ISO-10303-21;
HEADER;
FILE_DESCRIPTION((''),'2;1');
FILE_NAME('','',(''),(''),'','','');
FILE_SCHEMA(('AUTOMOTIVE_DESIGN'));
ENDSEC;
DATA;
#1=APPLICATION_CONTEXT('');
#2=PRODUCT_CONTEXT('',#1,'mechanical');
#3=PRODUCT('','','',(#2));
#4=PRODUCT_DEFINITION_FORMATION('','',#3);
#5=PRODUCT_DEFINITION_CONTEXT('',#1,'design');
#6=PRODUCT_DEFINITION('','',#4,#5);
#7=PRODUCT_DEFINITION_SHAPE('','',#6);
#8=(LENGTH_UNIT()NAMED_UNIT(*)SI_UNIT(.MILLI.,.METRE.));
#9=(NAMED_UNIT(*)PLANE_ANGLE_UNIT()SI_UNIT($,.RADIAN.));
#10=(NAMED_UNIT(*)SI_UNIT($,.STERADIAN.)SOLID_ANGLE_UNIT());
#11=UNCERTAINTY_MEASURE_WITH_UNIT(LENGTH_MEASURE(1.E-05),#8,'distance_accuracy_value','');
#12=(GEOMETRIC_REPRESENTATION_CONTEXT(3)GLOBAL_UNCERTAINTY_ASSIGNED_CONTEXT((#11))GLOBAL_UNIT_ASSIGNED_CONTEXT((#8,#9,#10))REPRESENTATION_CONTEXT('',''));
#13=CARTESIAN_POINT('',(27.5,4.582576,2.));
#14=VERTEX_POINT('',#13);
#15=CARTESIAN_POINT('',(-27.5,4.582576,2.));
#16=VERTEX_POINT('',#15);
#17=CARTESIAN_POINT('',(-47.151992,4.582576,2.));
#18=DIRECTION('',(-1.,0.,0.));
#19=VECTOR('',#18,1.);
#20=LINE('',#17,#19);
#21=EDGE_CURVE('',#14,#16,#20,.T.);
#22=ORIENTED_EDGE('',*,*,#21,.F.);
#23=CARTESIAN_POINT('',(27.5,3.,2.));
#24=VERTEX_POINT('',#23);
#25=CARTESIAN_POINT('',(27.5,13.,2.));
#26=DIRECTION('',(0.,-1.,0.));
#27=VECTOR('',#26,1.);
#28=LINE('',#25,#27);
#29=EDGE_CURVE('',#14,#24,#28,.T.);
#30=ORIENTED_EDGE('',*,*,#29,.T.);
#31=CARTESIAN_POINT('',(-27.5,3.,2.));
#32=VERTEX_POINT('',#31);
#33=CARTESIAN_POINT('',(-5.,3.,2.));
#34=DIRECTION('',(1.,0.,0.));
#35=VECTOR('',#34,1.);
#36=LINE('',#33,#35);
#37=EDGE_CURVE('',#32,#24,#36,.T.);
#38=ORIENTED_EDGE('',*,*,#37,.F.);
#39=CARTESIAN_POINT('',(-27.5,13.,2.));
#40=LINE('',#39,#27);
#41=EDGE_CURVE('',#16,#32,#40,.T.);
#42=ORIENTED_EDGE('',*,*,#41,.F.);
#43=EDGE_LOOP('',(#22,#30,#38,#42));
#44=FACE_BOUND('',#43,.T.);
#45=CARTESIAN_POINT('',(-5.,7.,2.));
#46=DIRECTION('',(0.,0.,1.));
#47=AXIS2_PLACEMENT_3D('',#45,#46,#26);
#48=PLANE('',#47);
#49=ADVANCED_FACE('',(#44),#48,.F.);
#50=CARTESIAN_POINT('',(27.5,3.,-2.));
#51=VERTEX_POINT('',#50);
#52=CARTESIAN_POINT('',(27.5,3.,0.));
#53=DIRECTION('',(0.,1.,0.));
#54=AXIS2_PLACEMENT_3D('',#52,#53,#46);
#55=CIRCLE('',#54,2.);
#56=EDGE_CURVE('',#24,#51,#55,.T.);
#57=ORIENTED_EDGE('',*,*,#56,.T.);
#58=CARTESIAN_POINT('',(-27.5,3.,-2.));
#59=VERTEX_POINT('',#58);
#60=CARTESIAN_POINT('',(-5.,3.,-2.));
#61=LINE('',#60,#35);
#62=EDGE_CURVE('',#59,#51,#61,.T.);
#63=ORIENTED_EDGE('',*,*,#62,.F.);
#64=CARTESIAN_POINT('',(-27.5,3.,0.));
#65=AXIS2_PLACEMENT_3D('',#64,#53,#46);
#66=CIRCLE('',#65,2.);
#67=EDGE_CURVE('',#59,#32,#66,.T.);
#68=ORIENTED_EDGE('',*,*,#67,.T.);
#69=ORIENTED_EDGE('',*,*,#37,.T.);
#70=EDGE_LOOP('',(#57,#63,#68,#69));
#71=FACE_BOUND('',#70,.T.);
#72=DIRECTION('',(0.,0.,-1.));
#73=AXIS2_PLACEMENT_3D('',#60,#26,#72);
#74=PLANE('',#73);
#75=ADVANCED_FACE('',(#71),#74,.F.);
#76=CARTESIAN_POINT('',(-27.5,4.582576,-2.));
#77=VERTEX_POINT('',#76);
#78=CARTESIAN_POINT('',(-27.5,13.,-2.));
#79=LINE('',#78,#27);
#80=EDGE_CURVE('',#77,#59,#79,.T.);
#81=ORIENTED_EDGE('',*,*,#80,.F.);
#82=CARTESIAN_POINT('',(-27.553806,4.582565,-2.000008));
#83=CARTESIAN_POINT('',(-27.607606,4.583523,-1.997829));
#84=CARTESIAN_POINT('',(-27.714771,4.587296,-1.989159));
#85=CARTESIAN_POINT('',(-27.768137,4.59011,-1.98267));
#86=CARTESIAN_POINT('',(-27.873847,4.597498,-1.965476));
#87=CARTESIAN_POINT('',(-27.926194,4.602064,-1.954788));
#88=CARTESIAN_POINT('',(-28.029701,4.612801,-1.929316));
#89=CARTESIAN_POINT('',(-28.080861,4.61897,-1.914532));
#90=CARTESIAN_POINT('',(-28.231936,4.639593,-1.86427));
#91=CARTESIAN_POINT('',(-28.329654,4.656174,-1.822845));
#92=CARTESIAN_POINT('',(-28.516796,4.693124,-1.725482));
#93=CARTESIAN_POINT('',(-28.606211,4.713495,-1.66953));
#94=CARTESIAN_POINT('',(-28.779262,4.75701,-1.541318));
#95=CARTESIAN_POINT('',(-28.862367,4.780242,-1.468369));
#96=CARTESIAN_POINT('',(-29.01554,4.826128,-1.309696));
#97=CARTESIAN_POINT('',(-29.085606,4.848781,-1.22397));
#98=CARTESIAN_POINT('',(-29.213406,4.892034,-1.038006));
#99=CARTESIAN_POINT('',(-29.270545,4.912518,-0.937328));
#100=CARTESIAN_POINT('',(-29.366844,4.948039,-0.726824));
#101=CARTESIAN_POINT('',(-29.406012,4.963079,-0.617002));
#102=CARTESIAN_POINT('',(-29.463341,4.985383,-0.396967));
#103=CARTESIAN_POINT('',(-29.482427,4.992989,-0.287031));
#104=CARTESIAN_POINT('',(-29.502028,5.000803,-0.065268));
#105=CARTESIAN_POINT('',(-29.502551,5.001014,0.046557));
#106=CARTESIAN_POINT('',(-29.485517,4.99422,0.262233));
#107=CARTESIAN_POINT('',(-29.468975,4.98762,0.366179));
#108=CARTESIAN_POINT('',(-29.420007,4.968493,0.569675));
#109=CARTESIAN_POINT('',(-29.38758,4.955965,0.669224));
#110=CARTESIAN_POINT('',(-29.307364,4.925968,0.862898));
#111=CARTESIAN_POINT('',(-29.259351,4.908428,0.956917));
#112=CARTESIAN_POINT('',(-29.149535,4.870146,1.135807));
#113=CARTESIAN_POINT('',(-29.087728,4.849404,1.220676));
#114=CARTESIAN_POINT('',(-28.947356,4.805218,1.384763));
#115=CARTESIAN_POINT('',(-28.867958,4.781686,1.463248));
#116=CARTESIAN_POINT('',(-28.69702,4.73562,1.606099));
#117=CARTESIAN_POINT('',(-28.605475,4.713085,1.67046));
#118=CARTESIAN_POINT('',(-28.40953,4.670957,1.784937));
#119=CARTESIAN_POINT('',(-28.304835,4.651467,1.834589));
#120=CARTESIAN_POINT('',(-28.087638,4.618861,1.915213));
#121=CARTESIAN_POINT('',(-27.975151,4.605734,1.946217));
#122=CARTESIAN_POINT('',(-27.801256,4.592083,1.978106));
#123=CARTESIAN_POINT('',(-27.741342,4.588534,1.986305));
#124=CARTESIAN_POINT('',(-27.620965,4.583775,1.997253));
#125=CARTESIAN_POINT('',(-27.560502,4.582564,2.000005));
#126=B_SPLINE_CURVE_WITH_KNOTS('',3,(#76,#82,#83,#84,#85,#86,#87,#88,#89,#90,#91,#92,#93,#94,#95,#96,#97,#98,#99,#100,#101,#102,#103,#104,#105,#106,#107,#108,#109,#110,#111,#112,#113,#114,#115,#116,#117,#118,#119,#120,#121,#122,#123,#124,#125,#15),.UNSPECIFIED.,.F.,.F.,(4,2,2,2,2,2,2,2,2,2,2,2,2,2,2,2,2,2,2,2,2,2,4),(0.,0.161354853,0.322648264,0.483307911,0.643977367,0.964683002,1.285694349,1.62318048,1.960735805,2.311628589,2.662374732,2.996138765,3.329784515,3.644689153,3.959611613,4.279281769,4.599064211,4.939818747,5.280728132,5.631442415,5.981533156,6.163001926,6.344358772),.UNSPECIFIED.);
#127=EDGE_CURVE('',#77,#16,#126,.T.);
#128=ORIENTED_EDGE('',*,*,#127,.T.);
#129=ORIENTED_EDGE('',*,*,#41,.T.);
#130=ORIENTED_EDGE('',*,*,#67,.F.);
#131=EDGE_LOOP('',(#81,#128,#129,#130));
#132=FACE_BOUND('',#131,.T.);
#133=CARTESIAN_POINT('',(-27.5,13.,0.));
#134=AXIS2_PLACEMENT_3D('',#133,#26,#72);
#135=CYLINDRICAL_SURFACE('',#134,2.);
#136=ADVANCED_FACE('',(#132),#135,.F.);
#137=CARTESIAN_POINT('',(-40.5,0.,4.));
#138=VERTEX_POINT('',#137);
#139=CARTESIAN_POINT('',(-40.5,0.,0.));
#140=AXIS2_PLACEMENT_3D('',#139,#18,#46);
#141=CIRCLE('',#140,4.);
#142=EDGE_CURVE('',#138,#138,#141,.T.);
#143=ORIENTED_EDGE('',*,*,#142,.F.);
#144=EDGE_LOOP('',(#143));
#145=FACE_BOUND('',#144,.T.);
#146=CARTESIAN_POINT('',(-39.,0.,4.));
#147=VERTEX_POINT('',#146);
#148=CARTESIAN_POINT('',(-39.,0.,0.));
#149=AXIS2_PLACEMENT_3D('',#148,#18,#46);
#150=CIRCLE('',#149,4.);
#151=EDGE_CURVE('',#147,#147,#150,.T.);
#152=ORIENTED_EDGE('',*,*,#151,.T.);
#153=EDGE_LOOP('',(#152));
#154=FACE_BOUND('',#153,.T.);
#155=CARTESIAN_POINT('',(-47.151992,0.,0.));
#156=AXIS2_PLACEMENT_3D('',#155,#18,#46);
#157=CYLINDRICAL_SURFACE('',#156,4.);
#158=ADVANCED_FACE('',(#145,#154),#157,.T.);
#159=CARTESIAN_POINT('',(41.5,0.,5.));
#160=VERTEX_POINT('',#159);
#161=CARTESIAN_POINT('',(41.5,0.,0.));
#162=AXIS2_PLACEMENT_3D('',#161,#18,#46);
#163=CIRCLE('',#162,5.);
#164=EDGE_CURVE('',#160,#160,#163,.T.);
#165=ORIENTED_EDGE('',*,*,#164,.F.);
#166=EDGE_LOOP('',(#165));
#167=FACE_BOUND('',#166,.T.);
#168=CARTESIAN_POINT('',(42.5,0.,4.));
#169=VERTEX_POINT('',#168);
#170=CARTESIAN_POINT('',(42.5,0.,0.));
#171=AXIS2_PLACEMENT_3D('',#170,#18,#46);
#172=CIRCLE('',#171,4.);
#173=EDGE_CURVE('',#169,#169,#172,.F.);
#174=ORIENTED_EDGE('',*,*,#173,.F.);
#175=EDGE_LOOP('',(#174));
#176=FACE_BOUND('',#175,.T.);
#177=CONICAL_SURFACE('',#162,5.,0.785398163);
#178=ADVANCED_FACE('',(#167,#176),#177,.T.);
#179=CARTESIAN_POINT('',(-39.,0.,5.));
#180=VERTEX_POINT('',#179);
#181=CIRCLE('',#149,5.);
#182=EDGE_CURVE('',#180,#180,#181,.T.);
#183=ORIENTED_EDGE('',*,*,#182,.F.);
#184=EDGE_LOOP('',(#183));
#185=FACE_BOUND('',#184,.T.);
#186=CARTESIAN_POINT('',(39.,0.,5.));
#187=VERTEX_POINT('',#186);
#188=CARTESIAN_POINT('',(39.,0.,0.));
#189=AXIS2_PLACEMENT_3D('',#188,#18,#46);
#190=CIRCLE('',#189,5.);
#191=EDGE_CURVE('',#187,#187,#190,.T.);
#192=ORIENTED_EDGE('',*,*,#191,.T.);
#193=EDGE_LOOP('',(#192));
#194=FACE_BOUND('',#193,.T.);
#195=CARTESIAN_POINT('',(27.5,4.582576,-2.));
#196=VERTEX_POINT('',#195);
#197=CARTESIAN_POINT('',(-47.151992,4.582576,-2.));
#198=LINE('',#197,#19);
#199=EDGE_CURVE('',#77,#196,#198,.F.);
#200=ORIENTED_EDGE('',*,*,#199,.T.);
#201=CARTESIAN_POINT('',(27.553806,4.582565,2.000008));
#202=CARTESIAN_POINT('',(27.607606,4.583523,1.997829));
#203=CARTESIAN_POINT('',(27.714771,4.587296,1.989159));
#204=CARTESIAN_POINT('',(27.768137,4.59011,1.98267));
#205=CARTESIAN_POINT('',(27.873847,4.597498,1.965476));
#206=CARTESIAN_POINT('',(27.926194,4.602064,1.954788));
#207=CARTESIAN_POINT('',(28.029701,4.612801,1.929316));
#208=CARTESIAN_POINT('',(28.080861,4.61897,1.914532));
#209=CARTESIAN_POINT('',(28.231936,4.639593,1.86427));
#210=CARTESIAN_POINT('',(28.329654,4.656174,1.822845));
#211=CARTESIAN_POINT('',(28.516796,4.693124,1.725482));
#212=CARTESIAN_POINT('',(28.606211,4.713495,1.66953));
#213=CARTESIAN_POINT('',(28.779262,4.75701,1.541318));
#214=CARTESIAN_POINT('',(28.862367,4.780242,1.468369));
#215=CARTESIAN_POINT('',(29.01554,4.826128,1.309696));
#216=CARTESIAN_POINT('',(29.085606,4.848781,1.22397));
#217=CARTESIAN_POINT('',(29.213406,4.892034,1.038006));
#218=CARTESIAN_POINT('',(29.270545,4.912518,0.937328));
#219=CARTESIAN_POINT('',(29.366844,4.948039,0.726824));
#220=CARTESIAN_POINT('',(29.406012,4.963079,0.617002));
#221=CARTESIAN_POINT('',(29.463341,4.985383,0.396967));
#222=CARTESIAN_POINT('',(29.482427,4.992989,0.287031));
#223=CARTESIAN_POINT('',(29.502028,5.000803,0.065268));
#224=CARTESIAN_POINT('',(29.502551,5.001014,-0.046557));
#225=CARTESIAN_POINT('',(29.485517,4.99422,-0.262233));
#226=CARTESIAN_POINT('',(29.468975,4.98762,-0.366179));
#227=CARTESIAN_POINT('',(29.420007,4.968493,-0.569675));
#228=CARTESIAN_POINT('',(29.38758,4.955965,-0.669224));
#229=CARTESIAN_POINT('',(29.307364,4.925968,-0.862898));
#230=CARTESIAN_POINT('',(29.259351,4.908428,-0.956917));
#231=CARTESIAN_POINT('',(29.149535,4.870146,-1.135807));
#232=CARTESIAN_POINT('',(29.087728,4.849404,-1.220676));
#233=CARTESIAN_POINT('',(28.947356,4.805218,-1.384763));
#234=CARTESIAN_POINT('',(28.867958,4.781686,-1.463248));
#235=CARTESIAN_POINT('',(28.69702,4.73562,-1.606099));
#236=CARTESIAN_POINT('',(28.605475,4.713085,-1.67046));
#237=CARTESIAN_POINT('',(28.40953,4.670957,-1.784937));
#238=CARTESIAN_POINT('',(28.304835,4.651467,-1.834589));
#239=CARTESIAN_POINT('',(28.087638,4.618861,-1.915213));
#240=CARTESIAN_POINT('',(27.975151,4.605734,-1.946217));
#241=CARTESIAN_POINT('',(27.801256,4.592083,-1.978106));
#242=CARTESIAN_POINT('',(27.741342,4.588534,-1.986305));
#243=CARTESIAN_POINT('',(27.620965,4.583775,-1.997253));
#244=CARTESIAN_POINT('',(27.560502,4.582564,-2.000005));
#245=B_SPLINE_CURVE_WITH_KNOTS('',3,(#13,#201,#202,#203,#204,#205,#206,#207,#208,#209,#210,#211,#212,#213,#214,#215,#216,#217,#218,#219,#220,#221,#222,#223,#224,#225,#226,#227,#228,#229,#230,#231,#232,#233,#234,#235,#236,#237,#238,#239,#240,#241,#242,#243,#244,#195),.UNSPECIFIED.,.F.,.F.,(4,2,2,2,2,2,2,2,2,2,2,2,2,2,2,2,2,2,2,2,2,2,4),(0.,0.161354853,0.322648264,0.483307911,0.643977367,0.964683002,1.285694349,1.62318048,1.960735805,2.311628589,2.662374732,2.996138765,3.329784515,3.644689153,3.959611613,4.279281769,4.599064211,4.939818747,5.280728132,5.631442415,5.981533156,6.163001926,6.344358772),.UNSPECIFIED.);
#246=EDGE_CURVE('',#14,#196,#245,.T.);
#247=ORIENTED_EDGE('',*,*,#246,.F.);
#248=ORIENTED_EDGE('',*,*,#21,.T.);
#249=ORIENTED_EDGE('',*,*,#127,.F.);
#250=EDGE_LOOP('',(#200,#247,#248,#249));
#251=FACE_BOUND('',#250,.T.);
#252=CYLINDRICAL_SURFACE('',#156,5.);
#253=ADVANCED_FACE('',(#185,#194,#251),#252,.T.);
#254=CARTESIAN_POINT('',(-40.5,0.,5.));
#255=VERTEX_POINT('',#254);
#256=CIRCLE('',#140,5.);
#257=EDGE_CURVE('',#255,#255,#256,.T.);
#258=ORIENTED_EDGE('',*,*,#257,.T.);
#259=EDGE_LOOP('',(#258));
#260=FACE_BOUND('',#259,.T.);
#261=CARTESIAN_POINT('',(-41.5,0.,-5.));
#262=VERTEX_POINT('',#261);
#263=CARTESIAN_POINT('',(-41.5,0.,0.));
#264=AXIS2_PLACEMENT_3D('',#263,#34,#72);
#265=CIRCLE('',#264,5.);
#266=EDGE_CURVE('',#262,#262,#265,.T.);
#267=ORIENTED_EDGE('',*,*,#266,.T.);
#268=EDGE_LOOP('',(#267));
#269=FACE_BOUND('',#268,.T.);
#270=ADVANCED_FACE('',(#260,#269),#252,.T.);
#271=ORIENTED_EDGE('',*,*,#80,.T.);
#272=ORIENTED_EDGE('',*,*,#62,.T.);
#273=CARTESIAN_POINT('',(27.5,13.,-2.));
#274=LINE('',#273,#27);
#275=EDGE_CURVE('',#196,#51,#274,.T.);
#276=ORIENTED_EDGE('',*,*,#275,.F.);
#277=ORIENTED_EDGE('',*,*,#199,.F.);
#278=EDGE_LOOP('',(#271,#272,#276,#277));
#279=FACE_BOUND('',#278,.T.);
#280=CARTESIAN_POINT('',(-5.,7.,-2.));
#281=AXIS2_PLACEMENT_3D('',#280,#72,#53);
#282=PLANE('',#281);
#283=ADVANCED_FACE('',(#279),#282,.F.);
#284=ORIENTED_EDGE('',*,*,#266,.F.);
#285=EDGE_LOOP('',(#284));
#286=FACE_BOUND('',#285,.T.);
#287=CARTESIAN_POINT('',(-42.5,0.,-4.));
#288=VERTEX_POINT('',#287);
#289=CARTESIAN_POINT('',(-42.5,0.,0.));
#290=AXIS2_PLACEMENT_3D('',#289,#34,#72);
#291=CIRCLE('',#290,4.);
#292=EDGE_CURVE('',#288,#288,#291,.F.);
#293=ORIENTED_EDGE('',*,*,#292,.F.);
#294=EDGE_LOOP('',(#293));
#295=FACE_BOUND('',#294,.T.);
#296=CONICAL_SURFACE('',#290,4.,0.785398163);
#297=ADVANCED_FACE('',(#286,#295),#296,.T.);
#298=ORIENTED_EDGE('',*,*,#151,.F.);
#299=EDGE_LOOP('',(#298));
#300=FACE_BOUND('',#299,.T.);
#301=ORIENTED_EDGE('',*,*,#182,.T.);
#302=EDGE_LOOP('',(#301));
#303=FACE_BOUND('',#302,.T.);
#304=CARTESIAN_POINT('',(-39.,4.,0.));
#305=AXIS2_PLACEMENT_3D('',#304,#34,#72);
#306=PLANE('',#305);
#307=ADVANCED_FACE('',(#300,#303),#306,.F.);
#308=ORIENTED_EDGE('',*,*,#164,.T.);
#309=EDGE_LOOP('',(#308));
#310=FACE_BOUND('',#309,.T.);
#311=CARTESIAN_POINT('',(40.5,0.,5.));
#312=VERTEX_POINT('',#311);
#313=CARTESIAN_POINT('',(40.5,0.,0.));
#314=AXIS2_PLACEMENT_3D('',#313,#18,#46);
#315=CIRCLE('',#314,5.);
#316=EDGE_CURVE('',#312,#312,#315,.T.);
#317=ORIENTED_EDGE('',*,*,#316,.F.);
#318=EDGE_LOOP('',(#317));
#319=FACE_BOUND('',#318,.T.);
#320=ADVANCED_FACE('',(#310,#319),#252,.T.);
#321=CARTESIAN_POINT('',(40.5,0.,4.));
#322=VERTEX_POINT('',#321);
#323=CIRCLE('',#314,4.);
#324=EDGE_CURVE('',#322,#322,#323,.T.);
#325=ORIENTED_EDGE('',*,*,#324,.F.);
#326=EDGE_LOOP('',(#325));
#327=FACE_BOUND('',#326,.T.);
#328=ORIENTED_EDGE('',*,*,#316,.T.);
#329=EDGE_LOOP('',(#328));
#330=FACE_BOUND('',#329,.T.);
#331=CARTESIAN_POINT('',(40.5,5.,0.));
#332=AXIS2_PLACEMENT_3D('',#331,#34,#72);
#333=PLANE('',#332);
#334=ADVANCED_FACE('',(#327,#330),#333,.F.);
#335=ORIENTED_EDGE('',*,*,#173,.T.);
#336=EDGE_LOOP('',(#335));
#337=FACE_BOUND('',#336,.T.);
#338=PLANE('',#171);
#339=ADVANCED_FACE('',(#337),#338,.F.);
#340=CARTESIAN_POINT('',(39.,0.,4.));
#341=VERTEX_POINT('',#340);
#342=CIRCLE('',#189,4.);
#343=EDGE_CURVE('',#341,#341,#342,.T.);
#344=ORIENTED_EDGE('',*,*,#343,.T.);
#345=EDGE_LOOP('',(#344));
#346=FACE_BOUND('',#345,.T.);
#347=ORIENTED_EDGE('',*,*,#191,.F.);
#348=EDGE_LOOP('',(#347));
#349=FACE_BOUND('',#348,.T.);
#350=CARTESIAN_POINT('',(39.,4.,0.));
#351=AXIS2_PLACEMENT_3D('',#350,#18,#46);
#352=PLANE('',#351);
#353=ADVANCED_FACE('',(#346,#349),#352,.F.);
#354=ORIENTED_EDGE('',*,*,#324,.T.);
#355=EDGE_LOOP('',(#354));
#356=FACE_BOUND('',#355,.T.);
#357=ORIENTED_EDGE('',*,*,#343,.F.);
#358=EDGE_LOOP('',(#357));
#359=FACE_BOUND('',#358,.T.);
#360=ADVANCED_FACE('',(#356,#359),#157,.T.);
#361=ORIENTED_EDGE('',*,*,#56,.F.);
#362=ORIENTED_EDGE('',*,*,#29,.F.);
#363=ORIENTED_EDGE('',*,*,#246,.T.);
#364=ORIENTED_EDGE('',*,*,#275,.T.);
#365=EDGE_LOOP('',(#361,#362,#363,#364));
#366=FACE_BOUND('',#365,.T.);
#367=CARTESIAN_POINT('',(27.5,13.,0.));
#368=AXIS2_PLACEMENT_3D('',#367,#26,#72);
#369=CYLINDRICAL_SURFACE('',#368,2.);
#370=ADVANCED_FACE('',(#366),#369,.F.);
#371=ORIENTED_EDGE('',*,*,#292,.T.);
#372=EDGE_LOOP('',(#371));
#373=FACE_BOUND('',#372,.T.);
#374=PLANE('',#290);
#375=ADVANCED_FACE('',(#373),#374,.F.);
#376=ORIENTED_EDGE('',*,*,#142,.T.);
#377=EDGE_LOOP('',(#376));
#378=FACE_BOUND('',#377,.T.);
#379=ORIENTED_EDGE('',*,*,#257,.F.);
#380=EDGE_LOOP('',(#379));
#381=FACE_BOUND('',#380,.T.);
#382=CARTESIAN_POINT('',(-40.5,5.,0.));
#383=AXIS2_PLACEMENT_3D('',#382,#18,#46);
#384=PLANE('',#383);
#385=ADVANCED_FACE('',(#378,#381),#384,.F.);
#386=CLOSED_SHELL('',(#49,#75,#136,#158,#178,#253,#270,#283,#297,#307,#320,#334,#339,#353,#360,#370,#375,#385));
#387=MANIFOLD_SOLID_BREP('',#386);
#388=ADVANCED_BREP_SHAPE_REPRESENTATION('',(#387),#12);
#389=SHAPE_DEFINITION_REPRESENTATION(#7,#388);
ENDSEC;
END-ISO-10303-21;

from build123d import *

# Parameters (mm, degrees)
CHAMFER1_SIZE      = 1
SKETCH3_W          = 4
SKETCH3_H          = 4
CUT_EXTRUDE1_DEPTH = 5
CUT_EXTRUDE2_DEPTH = 10


with BuildPart() as part:
    # Sketch1 → Revolve1 (revolve)
    with BuildSketch(Plane.XY, mode=Mode.PRIVATE) as revolve1_sk:
        Polygon((-42.5, 0), (-42.5, 5), (-40.5, 5), (-40.5, 4), (-39, 4), (-39, 5), (39, 5), (39, 4), (40.5, 4), (40.5, 5), (42.5, 5), (42.5, 0), align=None)
    revolve(revolve1_sk.sketch.rotate(Axis((-47.151991765, 0, 0), (1, 0, 0)), 90), axis=Axis((-47.151991765, 0, 0), (1, 0, 0)))

    # Chamfer1
    chamfer1_edges = [part.edges().sort_by_distance(p)[0] for p in [
        (42.5, 0, -5),
        (-42.5, 0, -5),
    ]]
    chamfer(chamfer1_edges, length=CHAMFER1_SIZE)

    # Sketch3 → Cut-Extrude1 (cut)
    with BuildSketch(Plane(origin=(0, 0, 0), x_dir=(0, 0, -1), z_dir=(1, 0, 0))):
        with Locations((0, 5)):
            Rectangle(SKETCH3_W, SKETCH3_H)
    extrude(amount=-CUT_EXTRUDE1_DEPTH, mode=Mode.SUBTRACT)

    # Sketch4 → Cut-Extrude2 (cut)
    with BuildSketch(Plane(origin=(0, 3, 0), x_dir=(1, 0, 0), z_dir=(0, 1, 0))):
        with BuildLine():
            Line((27.5, -2), (0, -2))
            Line((0, -2), (-27.5, -2))
            ThreePointArc((-27.5, -2), (-29.5, 0), (-27.5, 2))
            Line((-27.5, 2), (0, 2))
            Line((0, 2), (27.5, 2))
            ThreePointArc((27.5, 2), (29.5, 0), (27.5, -2))
        make_face()
    extrude(amount=CUT_EXTRUDE2_DEPTH, mode=Mode.SUBTRACT)


solid = part.part
